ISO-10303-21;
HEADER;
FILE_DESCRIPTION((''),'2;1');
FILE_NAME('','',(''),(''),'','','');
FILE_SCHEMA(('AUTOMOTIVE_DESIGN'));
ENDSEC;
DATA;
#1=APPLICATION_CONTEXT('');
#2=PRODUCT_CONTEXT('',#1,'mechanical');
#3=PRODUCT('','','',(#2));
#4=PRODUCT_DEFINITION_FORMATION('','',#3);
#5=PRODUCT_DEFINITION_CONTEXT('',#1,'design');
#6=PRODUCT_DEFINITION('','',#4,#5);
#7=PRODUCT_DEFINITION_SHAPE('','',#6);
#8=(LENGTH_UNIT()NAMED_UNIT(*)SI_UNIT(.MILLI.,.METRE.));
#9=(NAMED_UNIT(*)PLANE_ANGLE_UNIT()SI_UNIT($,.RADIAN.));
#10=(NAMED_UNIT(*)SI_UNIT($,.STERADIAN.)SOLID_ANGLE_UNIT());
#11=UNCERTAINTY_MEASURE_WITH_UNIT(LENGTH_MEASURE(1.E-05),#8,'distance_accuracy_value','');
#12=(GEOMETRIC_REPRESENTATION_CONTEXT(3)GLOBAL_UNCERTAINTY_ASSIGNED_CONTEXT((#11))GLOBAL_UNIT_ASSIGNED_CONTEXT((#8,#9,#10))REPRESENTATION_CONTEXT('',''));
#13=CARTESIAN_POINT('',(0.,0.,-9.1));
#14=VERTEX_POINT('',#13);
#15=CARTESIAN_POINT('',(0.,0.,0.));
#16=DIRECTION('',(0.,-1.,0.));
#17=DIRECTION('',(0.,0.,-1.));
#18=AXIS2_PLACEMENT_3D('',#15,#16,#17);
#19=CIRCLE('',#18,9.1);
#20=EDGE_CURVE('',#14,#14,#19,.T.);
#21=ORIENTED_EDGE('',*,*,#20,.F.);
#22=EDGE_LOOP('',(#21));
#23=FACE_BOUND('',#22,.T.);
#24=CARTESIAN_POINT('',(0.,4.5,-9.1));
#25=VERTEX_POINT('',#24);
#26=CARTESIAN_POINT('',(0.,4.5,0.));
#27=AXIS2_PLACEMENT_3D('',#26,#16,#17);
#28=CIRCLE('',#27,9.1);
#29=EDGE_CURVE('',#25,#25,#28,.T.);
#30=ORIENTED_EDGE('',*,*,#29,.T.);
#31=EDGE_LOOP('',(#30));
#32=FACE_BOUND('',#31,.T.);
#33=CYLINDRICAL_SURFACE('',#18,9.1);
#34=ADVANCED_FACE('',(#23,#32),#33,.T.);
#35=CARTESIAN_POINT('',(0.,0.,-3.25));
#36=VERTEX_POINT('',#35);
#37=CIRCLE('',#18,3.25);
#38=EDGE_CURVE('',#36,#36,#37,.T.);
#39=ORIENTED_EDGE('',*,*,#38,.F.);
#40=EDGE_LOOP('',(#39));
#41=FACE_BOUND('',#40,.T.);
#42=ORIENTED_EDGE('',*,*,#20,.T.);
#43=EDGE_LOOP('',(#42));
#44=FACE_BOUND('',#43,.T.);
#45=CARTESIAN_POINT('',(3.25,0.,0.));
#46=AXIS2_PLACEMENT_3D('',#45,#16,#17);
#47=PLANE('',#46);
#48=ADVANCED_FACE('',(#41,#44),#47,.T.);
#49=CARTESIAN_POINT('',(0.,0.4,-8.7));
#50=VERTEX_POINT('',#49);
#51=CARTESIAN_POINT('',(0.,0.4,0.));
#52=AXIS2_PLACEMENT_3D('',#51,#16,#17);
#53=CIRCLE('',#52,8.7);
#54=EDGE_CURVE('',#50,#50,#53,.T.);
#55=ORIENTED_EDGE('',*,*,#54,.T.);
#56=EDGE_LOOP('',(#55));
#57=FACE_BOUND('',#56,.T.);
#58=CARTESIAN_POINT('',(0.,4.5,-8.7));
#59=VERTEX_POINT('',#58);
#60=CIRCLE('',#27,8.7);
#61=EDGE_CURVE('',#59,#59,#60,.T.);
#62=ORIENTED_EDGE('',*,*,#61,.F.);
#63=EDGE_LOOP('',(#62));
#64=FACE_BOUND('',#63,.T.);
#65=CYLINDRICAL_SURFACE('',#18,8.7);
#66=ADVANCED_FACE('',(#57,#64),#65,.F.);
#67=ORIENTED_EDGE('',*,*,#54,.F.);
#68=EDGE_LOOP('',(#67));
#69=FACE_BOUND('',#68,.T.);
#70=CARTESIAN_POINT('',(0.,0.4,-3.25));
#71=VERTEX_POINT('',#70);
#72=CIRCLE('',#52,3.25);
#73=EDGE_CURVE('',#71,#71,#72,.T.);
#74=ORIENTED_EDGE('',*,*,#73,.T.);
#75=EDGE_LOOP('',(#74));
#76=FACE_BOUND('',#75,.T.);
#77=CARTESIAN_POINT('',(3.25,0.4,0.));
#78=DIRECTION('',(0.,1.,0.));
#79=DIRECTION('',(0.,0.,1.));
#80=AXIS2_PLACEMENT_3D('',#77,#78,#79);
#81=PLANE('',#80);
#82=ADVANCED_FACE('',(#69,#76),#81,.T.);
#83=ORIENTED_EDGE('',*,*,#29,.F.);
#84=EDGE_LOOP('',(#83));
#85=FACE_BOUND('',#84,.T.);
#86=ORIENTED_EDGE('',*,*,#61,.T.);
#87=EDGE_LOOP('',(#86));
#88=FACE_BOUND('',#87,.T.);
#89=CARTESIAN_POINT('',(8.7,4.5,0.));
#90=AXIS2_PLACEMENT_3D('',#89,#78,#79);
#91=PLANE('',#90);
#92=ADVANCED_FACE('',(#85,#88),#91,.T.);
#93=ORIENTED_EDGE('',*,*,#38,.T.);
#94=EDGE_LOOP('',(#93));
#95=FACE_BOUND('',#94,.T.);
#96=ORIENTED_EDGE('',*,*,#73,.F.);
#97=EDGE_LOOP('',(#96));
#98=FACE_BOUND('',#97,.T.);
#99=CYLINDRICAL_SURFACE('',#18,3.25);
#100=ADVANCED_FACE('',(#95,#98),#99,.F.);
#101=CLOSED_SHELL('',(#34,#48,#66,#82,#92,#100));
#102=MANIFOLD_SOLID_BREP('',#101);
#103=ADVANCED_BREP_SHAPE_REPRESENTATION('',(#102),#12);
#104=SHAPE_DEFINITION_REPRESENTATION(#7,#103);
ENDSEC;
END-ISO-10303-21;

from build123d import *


with BuildPart() as part:
    # Croquis1 → Revolución1 (revolve)
    with BuildSketch(Plane.XY, mode=Mode.PRIVATE) as revoluci_n1_sk:
        Polygon((3.25, 0), (9.1, 0), (9.1, 4.5), (8.7, 4.5), (8.7, 0.4), (3.25, 0.4), align=None)
    revolve(revoluci_n1_sk.sketch.rotate(Axis((0, 0, 0), (0, 1, 0)), 90), axis=Axis((0, 0, 0), (0, 1, 0)))


solid = part.part
